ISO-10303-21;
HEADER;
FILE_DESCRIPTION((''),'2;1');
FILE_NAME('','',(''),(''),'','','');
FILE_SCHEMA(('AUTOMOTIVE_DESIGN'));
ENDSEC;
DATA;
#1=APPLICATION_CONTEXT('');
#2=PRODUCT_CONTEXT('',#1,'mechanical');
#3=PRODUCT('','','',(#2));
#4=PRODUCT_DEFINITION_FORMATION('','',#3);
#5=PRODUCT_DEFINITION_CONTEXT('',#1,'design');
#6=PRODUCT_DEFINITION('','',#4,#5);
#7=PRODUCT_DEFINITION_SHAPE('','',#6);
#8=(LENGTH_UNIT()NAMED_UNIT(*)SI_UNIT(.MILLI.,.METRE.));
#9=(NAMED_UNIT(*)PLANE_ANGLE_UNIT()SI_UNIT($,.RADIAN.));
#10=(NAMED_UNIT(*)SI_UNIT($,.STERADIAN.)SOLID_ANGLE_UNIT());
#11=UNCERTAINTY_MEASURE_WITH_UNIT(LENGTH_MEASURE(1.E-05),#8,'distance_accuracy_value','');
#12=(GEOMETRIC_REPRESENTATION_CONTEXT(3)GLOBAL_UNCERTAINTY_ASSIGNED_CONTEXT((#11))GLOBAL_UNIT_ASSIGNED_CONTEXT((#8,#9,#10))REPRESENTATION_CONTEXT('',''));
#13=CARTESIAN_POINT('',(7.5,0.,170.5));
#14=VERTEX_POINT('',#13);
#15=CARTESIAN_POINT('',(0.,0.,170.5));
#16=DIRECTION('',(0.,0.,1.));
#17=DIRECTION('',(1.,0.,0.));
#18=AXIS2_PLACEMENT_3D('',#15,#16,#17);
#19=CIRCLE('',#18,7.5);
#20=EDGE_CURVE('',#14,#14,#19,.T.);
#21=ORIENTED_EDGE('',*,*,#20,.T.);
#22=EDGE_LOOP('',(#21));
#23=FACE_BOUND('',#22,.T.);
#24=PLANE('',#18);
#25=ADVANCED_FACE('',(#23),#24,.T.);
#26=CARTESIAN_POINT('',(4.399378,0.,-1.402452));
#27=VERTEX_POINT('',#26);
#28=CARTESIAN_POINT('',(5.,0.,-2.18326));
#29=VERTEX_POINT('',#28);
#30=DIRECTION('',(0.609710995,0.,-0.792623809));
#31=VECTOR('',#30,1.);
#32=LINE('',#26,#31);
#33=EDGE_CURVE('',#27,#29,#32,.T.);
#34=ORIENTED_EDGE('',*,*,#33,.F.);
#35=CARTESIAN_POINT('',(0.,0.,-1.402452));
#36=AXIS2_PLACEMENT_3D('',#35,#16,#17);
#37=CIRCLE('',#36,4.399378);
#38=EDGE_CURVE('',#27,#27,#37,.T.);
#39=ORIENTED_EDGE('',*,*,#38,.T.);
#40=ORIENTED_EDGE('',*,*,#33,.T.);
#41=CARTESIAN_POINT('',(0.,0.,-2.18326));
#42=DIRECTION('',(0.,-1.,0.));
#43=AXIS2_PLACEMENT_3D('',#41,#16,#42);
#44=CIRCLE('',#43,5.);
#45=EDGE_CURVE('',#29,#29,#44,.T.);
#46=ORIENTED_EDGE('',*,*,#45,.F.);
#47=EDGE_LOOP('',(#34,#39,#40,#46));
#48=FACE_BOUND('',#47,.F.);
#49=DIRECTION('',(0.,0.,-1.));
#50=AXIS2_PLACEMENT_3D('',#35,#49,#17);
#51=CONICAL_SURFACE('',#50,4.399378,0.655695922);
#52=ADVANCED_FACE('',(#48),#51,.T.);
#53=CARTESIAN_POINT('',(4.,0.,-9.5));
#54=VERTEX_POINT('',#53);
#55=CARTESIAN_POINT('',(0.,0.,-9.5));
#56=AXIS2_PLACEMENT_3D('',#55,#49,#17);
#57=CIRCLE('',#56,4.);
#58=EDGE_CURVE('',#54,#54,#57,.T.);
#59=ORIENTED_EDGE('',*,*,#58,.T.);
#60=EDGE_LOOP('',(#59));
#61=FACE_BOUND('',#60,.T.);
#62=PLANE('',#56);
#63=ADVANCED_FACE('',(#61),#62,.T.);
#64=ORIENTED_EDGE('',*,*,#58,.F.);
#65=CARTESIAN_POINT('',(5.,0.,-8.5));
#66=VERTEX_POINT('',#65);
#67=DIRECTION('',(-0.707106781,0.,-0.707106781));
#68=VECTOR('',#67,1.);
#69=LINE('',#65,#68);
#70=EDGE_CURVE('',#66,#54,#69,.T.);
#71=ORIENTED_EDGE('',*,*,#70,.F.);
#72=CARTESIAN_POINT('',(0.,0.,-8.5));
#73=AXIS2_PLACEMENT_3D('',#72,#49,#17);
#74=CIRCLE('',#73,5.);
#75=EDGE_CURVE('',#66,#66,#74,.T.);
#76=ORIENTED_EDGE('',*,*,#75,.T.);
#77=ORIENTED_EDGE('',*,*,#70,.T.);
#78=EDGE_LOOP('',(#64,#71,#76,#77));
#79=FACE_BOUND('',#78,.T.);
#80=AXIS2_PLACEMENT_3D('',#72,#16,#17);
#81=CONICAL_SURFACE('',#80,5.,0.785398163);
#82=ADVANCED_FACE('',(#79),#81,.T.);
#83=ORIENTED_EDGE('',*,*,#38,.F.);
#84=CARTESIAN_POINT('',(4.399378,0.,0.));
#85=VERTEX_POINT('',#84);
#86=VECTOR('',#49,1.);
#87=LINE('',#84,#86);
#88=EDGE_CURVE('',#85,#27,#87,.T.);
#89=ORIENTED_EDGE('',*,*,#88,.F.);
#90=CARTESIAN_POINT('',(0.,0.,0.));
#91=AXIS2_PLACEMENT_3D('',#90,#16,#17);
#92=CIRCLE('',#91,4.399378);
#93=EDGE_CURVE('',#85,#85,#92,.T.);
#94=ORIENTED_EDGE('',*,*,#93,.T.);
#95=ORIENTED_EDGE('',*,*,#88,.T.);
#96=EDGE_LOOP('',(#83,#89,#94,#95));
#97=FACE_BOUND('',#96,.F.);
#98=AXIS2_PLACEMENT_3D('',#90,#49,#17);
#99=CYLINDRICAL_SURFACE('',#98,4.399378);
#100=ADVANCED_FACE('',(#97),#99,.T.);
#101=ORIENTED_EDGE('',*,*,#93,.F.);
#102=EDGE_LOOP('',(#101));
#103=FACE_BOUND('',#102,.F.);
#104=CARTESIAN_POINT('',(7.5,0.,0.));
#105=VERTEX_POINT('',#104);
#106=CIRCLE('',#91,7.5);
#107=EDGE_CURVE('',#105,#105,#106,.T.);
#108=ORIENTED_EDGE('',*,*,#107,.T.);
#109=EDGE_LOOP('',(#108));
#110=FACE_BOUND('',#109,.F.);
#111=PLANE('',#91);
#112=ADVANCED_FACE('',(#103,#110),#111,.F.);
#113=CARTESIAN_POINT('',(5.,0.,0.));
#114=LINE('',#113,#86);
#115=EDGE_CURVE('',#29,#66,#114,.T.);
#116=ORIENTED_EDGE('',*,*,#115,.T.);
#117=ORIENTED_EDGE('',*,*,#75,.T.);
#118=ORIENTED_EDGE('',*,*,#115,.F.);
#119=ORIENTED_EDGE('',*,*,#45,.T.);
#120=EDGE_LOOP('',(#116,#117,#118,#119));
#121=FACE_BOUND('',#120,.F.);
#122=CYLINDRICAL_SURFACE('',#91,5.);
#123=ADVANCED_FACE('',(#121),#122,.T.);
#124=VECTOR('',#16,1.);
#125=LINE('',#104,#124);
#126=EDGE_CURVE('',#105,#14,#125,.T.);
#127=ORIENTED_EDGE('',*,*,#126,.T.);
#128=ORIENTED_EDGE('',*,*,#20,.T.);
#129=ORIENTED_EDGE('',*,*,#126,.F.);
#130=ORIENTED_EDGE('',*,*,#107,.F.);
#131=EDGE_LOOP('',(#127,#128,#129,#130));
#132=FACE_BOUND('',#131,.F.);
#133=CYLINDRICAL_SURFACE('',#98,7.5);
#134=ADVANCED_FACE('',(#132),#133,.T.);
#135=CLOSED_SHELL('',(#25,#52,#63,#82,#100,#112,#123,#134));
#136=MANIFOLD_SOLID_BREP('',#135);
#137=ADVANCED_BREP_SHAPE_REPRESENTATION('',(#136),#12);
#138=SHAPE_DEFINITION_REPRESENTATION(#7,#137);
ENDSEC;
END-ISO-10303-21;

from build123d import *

# Parameters (mm, degrees)
F0_R     = 7.5
F1_DEPTH = 170.5
F2_R     = 5
F3_DEPTH = 9.5
F4_SIZE  = 1


with BuildPart() as f1:
    # F0 (on Top) → F1 (new body)
    with BuildSketch(Plane.XY):
        Circle(F0_R)
    extrude(amount=F1_DEPTH)

    # F2 (on face) → F3 (join)
    with BuildSketch(Plane(origin=(0, 0, 0), x_dir=(1, 0, 0), z_dir=(0, 0, -1))):
        Circle(F2_R)
    extrude(amount=F3_DEPTH)

    # F4
    f4_edges = [f1.edges().sort_by_distance(p)[0] for p in [
        (-5, 0, -9.5),
    ]]
    chamfer(f4_edges, length=F4_SIZE)

    # F5 (on Front) → F6 (revolve, cut)
    with BuildSketch(Plane.XZ):
        Polygon((4.399378, -1.402452), (5.027703, -2.219274), (5.142896, -2.219274), (5.142896, 0), (4.399378, 0), align=None)
    revolve(axis=Axis((0, 0, 0), (0, 0, 1)), mode=Mode.SUBTRACT)


solid = f1.part
